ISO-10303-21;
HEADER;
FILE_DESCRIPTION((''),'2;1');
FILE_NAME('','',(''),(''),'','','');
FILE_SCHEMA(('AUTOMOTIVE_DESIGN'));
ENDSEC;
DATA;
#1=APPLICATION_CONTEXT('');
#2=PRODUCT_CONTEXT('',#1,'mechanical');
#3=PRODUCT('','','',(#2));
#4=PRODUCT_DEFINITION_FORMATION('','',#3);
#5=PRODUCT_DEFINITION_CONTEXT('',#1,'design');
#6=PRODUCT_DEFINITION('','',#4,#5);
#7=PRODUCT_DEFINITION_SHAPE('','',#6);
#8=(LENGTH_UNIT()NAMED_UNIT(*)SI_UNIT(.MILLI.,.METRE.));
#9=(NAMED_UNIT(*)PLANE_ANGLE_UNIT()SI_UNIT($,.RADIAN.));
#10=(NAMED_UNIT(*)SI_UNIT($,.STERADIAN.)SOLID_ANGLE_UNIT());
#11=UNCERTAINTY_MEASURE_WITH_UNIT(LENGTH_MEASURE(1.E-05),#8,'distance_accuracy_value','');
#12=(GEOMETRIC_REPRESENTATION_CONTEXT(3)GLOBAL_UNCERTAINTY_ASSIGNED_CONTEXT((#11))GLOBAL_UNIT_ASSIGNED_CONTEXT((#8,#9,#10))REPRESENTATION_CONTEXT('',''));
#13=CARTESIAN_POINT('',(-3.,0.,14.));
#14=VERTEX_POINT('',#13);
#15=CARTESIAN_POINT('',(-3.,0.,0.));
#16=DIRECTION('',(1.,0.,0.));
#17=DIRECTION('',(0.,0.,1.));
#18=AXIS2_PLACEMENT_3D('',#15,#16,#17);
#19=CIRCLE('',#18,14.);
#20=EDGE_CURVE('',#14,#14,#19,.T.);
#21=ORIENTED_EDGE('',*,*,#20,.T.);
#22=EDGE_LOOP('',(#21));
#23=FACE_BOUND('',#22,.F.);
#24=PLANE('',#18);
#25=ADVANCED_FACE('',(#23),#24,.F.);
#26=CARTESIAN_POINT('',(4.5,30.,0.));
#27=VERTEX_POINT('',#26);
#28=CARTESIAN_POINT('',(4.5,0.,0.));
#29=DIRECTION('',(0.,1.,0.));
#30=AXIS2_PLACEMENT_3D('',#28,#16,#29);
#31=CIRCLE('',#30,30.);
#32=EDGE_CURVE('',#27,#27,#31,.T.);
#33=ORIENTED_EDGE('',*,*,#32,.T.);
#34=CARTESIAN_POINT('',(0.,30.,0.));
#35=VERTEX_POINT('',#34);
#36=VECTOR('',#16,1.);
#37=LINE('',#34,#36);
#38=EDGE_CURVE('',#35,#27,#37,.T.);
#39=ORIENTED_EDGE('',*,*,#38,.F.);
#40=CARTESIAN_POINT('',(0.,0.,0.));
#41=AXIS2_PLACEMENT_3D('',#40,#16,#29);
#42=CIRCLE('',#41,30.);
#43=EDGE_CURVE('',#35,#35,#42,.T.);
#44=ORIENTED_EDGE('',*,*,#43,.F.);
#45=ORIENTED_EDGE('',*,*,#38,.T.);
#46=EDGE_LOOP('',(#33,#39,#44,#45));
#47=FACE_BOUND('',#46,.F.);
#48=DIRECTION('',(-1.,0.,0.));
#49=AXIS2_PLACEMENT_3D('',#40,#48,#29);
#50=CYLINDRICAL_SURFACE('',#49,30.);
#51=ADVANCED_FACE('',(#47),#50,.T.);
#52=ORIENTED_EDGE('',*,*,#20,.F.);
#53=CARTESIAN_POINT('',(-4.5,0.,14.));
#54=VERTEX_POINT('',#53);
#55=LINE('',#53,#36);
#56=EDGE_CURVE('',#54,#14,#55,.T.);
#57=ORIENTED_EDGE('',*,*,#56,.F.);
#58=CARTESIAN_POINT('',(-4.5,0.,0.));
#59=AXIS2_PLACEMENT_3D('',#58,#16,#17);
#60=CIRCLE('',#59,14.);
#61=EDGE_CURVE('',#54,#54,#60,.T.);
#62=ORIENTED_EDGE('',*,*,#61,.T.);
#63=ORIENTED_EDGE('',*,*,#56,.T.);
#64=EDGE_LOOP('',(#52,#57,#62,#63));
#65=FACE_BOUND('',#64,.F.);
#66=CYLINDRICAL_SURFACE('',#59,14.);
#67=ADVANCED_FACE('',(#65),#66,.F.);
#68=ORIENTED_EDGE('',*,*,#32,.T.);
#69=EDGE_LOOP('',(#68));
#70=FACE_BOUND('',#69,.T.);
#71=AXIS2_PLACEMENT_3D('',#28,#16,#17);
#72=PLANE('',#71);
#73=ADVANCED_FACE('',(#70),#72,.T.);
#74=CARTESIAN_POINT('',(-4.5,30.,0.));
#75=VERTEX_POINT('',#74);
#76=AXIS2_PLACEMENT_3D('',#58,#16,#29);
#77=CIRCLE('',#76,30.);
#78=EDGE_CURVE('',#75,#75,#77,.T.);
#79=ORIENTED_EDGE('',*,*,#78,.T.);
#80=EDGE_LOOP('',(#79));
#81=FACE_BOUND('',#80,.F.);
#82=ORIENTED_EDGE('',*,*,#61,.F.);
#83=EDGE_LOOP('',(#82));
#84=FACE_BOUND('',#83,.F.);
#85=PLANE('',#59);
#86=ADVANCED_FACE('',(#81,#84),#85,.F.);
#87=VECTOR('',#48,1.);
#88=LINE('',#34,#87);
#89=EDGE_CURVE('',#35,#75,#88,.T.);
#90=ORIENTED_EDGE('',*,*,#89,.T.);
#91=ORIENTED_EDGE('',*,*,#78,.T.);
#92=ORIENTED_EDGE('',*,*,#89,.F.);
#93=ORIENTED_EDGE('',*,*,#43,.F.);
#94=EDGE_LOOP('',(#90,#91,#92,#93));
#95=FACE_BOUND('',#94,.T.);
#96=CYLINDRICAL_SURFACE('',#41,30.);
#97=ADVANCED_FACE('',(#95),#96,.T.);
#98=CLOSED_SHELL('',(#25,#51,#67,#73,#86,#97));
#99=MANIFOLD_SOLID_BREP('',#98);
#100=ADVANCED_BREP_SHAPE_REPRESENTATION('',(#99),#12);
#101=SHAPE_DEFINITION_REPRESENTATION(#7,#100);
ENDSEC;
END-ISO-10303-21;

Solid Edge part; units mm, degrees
sketch "Sketch1" plane through (0, 0, 0) normal (1, 0, 0) x (0, 1, 0)
  circle A0 centre (0, 0) radius 30
extrude "Protrusion1" add sketch "Sketch1" along normal mid plane 9
hole "Bohrung_1" at (-4.5, 0, 0) direction (1, 0, 0) diameter 28 depth 1.5
